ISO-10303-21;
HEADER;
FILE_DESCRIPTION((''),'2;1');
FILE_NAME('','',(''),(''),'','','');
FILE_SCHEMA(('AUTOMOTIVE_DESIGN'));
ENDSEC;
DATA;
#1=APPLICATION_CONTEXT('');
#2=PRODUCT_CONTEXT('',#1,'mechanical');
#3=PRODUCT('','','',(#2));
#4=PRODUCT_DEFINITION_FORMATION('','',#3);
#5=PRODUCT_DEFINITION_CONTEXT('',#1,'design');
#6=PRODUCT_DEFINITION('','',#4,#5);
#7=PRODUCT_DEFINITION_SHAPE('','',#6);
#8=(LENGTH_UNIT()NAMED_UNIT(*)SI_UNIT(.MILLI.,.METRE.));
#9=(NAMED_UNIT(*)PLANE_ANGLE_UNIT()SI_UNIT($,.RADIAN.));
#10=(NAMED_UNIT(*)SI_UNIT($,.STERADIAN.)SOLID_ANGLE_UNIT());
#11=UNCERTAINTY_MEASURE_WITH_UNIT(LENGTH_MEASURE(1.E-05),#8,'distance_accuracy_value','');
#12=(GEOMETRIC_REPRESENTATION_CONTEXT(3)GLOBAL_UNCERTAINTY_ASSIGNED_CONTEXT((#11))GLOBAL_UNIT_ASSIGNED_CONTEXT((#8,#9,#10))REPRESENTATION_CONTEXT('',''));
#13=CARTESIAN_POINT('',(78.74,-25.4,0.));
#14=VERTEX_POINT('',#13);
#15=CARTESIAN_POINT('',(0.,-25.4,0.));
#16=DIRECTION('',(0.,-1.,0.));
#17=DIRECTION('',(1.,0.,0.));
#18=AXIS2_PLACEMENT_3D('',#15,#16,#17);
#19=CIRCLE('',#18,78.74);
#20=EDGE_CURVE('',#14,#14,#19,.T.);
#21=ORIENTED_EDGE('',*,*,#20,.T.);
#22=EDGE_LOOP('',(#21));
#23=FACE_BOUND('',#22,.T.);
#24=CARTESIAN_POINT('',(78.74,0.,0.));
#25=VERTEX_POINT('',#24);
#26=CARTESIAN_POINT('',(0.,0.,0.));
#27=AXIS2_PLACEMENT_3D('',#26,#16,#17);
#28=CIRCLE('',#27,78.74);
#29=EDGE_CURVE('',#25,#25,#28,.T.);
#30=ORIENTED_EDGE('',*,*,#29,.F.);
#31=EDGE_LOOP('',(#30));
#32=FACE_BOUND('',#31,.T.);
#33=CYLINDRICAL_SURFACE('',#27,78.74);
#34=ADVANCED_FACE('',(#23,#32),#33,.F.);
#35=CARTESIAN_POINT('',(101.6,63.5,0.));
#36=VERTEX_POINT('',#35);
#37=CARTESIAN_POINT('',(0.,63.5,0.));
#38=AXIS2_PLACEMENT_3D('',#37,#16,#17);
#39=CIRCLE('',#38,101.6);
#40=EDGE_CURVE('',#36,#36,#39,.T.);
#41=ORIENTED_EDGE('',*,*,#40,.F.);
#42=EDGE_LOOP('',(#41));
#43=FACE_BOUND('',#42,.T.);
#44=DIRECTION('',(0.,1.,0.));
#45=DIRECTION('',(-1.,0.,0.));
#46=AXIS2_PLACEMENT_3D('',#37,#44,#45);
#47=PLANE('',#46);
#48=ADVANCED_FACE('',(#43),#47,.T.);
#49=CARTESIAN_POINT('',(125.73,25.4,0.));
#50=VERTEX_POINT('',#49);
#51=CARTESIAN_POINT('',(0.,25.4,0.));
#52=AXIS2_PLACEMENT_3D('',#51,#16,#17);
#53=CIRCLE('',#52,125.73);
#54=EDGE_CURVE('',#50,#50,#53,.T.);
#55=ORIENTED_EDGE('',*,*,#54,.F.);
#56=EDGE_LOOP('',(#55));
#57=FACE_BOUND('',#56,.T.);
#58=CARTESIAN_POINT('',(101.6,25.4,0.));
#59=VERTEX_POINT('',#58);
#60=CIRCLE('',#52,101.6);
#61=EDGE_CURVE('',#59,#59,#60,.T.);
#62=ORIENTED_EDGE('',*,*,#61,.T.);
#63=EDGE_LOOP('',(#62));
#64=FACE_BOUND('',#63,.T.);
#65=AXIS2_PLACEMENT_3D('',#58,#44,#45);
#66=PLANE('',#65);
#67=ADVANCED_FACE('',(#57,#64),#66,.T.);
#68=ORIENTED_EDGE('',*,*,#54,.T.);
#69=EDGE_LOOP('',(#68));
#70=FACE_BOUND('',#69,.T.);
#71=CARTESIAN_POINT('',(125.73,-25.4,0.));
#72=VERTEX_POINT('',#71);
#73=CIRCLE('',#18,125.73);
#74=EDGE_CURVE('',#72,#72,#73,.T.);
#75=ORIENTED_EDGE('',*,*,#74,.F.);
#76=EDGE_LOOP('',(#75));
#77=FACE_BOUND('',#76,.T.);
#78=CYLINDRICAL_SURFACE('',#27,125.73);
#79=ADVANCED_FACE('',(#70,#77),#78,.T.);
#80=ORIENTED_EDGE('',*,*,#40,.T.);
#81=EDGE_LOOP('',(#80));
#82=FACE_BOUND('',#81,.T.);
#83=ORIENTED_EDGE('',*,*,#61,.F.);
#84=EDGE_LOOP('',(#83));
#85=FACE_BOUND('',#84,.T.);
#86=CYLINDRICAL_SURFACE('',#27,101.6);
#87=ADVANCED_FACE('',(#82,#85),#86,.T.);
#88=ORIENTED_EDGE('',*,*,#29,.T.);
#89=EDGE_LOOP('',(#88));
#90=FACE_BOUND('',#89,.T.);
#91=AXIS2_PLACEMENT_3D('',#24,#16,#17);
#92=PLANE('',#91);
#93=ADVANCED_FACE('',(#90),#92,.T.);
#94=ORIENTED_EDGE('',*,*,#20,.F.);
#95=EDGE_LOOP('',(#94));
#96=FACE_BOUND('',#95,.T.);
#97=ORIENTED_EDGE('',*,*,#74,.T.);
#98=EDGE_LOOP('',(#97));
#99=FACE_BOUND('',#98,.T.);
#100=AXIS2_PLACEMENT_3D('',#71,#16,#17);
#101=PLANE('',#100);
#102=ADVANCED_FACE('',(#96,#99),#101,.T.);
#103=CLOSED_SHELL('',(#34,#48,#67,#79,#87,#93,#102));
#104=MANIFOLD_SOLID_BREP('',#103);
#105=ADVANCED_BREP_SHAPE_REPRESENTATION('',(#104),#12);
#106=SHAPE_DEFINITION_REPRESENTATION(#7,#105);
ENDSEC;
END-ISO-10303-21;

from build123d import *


with BuildPart() as part:
    # Sketch1 → Revolve1 (revolve)
    with BuildSketch(Plane.XY):
        Polygon((0, 0), (0, 63.5), (101.6, 63.5), (101.6, 25.4), (125.73, 25.4), (125.73, -25.4), (78.74, -25.4), (78.74, 0), align=None)
    revolve(axis=Axis((0, 0, 0), (0, 1, 0)))


solid = part.part
